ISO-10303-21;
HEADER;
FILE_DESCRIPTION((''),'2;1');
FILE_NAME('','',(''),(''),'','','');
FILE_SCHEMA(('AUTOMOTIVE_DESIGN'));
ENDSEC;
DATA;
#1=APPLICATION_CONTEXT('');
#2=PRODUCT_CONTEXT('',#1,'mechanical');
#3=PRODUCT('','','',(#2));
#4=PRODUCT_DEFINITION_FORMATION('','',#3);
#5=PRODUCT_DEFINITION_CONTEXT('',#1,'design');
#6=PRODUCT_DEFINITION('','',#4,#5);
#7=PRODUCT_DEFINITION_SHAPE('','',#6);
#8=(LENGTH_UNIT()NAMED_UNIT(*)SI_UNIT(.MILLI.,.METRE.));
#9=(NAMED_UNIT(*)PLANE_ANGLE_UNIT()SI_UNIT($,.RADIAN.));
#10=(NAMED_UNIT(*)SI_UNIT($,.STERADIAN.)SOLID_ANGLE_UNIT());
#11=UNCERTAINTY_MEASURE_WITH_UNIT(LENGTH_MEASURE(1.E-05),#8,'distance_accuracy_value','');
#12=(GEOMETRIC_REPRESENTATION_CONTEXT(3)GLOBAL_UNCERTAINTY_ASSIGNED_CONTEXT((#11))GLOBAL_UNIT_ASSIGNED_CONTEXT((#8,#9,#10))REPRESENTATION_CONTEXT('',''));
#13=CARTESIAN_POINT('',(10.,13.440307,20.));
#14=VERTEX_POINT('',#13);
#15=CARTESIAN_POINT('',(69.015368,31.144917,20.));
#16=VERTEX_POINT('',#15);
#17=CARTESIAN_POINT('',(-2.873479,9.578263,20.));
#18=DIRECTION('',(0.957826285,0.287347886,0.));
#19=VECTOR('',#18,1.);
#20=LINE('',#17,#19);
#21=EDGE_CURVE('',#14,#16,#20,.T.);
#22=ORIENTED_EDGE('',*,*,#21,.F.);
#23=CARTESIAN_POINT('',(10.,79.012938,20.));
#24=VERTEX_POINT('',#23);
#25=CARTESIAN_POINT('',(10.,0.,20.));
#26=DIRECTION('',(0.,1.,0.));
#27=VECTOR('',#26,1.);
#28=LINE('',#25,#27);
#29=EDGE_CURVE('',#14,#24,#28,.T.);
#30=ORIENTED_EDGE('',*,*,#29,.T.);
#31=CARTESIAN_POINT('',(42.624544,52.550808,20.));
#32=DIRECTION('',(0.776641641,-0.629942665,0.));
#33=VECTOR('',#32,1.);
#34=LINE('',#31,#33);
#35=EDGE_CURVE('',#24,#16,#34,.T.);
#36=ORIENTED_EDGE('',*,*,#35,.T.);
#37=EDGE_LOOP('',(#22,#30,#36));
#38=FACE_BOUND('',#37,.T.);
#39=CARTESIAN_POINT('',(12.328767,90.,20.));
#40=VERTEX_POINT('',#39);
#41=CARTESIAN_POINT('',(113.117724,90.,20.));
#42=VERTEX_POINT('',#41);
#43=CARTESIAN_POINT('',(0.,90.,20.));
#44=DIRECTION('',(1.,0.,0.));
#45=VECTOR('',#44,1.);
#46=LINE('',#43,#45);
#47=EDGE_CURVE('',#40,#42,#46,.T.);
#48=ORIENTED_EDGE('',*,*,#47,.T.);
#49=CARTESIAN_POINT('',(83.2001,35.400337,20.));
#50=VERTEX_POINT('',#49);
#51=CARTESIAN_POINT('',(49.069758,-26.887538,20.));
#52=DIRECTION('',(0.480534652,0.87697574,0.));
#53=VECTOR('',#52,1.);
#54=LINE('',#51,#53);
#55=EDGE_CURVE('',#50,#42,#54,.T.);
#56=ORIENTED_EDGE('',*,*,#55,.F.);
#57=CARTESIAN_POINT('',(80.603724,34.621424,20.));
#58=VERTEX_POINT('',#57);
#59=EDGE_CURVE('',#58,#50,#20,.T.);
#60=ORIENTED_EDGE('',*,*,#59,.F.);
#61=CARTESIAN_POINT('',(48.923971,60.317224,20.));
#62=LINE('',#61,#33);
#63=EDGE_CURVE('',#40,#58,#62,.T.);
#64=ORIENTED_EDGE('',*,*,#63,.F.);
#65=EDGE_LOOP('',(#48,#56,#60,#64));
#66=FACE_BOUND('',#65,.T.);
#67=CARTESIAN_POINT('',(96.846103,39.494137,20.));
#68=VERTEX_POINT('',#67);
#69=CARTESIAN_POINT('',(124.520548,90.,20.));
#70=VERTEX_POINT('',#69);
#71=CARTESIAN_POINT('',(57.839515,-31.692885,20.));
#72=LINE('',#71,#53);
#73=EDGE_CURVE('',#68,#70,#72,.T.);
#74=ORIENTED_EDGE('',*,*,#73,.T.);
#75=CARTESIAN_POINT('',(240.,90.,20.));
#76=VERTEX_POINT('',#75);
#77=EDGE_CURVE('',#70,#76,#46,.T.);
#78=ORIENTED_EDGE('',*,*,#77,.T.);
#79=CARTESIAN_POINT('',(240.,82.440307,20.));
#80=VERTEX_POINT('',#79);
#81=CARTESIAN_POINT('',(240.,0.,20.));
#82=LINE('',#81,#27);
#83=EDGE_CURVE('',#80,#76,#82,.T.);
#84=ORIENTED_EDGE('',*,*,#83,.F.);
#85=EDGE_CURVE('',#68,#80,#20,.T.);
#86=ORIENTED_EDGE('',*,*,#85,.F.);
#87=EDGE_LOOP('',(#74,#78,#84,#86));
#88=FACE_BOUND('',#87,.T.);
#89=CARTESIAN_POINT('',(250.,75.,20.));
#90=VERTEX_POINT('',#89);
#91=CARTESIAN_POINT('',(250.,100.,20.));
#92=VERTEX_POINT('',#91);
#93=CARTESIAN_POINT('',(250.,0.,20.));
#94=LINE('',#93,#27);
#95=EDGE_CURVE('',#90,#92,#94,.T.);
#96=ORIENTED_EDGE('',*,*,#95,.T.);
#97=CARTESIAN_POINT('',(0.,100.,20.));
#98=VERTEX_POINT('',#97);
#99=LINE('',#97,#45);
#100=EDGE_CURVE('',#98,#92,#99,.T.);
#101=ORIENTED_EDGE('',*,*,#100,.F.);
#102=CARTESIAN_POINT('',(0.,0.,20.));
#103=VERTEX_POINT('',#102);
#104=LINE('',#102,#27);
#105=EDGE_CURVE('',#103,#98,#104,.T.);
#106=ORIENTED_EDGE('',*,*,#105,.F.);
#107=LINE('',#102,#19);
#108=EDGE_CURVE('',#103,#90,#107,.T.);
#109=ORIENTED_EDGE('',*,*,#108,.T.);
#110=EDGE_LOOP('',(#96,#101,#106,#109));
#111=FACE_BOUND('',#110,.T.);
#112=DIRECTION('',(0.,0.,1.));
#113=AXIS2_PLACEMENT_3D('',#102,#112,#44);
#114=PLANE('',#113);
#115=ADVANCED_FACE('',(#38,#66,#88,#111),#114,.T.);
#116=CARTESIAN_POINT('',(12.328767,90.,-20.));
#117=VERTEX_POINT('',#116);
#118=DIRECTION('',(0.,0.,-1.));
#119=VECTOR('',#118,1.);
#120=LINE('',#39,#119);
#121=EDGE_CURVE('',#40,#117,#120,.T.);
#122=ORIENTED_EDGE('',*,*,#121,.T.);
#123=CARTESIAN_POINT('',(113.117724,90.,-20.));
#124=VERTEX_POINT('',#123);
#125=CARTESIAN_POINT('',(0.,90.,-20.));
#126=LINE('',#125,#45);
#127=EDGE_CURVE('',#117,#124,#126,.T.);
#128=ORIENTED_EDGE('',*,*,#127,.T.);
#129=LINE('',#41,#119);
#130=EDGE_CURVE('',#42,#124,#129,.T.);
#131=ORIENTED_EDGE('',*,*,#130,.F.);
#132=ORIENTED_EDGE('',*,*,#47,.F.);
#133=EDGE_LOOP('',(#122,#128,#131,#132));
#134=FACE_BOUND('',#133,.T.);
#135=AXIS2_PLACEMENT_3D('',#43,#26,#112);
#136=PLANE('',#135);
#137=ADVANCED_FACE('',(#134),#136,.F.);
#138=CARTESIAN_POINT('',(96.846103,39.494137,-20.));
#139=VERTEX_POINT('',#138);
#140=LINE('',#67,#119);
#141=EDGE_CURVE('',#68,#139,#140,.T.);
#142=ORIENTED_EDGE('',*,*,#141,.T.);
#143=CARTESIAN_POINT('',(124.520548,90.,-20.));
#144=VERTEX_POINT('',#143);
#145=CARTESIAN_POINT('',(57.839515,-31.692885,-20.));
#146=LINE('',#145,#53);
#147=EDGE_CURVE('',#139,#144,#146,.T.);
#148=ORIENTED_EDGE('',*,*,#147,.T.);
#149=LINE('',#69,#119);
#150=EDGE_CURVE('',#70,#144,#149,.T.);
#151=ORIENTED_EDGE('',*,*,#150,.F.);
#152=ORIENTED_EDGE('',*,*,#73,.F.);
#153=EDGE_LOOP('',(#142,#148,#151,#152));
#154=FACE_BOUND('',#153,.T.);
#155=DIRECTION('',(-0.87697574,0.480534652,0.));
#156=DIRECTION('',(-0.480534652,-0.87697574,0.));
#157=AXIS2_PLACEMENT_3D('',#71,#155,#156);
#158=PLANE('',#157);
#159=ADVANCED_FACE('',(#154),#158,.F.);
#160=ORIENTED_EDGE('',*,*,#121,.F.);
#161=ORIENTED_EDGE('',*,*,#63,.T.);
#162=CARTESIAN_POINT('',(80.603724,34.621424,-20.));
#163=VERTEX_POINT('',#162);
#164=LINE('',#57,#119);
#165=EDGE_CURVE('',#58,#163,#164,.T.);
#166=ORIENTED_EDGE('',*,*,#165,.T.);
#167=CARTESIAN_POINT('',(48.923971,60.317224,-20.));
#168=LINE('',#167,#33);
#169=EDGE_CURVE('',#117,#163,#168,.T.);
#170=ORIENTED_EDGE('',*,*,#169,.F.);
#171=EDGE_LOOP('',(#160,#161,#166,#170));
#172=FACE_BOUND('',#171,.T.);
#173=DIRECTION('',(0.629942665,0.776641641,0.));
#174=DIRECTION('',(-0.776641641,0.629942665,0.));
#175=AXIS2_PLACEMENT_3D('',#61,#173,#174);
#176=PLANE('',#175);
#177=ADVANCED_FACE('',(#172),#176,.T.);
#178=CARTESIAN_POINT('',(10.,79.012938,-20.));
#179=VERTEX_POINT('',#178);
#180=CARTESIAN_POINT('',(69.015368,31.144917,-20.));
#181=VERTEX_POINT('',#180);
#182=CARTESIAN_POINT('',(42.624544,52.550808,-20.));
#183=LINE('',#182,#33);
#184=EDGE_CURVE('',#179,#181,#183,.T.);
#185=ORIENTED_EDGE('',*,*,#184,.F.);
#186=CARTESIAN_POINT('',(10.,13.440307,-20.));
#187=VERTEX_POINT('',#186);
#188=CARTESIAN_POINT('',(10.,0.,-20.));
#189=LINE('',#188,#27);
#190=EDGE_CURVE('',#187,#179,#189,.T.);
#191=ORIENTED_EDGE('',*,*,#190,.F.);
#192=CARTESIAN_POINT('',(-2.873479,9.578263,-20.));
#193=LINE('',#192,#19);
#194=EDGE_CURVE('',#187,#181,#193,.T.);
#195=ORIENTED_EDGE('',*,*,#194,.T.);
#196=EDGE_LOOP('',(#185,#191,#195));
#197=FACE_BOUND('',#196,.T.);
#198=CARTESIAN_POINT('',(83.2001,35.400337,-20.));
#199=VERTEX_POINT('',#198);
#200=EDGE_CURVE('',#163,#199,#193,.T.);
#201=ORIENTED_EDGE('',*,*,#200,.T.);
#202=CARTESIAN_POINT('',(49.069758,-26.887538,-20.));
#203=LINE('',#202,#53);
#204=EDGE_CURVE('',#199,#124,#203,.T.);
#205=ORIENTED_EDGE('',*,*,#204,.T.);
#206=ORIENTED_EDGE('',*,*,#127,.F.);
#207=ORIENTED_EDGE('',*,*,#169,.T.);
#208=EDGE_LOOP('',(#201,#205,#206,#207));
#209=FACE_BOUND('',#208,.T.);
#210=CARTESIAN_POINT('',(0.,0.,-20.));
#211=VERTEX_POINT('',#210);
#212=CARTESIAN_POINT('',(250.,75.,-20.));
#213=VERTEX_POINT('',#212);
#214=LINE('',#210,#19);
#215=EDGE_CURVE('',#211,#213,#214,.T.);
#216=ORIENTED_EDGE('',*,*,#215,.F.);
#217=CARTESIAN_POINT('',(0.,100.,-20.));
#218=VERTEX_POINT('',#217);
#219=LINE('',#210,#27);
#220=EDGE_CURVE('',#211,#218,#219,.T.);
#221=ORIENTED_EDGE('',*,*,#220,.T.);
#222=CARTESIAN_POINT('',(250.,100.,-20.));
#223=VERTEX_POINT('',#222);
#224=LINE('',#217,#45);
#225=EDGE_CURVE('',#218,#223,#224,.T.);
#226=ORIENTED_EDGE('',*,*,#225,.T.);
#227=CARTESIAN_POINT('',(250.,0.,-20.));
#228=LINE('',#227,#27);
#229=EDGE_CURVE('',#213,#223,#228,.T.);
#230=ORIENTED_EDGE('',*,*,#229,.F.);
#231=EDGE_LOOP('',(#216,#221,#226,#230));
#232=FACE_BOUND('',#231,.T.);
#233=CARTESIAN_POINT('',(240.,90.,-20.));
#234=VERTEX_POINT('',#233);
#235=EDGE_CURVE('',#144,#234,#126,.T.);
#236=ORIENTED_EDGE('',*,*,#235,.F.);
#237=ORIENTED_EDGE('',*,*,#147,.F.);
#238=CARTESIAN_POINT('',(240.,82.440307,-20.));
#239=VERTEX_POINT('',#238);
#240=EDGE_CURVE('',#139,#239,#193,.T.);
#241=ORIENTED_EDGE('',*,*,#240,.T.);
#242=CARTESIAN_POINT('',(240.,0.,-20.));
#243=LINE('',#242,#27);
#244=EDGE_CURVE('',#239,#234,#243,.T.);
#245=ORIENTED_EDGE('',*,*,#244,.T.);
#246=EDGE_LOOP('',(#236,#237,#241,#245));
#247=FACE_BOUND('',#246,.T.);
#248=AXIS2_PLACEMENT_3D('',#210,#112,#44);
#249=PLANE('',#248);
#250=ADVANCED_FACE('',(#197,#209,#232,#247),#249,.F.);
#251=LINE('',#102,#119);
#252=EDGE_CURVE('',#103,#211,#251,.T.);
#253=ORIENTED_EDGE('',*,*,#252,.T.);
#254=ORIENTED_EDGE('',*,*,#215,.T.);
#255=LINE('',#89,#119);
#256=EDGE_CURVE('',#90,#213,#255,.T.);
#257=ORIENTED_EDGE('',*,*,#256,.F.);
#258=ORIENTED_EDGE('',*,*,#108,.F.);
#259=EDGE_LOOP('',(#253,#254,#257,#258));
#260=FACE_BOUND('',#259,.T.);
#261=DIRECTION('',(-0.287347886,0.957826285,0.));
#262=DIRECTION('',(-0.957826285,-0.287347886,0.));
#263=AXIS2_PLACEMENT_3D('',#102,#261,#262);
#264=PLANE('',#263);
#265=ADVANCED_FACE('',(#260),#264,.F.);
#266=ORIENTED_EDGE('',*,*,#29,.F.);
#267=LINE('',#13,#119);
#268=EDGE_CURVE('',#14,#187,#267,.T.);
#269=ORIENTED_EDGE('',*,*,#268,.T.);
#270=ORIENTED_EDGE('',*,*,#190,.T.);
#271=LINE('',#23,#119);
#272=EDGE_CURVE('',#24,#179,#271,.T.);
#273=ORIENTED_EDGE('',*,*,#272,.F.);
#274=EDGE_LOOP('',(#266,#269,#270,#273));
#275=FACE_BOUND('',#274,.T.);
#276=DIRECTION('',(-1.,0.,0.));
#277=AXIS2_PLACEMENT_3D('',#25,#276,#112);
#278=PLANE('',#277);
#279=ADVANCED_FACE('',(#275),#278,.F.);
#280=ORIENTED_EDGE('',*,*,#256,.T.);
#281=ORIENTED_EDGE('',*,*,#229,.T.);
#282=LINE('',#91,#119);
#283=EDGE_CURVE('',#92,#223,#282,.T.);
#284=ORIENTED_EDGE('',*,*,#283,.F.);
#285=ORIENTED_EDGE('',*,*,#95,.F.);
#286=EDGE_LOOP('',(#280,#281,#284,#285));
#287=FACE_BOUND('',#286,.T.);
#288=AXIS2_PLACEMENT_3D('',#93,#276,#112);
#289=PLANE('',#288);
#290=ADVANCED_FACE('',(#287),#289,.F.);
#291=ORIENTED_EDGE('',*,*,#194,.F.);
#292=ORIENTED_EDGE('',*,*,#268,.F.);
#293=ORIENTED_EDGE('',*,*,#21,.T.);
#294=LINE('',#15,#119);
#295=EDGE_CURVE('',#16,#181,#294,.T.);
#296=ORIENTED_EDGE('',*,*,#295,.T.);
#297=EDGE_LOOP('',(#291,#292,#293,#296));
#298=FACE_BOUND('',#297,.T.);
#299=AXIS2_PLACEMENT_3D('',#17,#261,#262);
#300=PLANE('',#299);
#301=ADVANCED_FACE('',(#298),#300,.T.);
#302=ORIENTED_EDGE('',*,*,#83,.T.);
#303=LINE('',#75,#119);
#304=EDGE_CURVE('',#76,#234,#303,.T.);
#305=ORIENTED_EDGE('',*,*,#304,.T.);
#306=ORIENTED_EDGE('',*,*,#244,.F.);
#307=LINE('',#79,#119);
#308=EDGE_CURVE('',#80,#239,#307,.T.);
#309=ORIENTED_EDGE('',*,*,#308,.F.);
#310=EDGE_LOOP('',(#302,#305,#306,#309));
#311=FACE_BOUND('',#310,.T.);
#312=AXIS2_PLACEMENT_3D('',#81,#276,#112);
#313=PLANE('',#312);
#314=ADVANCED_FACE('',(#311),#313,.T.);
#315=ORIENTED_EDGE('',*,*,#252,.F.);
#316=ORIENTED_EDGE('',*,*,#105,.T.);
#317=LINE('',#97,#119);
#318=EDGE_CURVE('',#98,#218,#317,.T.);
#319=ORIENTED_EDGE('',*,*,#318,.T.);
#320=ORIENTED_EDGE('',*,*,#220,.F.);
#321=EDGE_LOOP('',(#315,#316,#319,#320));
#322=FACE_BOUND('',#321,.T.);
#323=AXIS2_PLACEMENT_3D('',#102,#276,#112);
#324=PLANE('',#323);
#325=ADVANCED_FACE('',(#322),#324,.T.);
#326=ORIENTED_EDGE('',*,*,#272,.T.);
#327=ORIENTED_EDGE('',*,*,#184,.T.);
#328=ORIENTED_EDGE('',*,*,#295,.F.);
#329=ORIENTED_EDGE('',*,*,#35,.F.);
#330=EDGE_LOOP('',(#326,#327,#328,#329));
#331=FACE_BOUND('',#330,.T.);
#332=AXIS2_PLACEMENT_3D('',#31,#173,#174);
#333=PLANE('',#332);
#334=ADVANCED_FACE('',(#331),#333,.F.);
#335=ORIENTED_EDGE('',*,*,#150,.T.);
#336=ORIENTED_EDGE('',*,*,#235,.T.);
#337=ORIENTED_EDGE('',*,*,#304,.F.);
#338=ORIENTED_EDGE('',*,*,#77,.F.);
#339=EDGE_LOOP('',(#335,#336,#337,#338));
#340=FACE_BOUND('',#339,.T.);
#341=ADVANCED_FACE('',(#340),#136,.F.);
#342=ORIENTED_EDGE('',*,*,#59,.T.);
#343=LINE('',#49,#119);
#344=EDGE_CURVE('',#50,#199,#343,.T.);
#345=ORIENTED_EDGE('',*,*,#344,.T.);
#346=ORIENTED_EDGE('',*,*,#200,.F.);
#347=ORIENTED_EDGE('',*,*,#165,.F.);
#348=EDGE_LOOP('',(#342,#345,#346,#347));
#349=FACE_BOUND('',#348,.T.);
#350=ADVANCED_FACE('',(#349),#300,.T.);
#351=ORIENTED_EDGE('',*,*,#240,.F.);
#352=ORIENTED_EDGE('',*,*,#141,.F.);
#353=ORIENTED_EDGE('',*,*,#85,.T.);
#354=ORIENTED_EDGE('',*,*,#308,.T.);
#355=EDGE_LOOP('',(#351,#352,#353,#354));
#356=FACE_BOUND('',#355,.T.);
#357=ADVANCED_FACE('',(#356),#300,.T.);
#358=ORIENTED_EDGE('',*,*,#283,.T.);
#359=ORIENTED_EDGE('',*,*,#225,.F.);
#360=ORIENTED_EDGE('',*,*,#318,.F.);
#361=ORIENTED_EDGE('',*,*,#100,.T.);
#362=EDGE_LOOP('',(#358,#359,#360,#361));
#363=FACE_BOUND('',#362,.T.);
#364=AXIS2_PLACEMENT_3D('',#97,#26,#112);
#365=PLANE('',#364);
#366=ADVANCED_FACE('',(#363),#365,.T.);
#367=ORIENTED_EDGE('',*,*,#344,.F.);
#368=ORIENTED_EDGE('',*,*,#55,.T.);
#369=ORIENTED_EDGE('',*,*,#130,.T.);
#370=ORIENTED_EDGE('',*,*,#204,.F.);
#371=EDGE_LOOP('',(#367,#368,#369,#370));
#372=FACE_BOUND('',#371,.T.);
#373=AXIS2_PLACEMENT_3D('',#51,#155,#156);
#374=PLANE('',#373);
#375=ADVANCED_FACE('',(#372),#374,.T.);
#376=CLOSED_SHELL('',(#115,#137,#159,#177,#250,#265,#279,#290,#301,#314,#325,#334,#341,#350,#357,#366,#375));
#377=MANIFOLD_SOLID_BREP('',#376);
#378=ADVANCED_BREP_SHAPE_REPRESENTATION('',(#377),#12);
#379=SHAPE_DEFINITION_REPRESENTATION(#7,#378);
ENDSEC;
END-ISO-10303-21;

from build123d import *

# Parameters (mm, degrees)
SALIENTE_EXTRUIR1_DEPTH = 20


with BuildPart() as part:
    # Croquis1 → Saliente-Extruir1 (new body, symmetric)
    with BuildSketch(Plane.XY):
        Polygon((130, 100), (0, 100), (12.328767123, 90), (113.117723961, 90), (124.520547945, 90), align=None)
        Polygon((12.328767123, 90), (0, 100), (0, 0), (90, 27), (80.603724142, 34.621423752), (69.015367917, 31.144916884), (10, 13.440306509), (10, 79.012937528), (10, 90), align=None)
        Polygon((80.603724142, 34.621423752), (12.328767123, 90), (10, 90), (10, 79.012937528), (69.015367917, 31.144916884), align=None)
        Polygon((124.520547945, 90), (113.117723961, 90), (83.200100156, 35.400336556), (96.846102629, 39.494137298), align=None)
        Polygon((83.200100156, 35.400336556), (80.603724142, 34.621423752), (90, 27), (96.846102629, 39.494137298), align=None)
        Polygon((96.846102629, 39.494137298), (90, 27), (250, 75), (229.461692114, 79.278814143), (209.367182815, 73.250461353), align=None)
        Polygon((250, 100), (130, 100), (178, 90), (240, 90), (240, 82.440306509), (229.461692114, 79.278814143), (250, 75), align=None)
        Polygon((178, 90), (130, 100), (124.520547945, 90), (128.969397311, 90), align=None)
    extrude(amount=SALIENTE_EXTRUIR1_DEPTH, both=True)


solid = part.part
